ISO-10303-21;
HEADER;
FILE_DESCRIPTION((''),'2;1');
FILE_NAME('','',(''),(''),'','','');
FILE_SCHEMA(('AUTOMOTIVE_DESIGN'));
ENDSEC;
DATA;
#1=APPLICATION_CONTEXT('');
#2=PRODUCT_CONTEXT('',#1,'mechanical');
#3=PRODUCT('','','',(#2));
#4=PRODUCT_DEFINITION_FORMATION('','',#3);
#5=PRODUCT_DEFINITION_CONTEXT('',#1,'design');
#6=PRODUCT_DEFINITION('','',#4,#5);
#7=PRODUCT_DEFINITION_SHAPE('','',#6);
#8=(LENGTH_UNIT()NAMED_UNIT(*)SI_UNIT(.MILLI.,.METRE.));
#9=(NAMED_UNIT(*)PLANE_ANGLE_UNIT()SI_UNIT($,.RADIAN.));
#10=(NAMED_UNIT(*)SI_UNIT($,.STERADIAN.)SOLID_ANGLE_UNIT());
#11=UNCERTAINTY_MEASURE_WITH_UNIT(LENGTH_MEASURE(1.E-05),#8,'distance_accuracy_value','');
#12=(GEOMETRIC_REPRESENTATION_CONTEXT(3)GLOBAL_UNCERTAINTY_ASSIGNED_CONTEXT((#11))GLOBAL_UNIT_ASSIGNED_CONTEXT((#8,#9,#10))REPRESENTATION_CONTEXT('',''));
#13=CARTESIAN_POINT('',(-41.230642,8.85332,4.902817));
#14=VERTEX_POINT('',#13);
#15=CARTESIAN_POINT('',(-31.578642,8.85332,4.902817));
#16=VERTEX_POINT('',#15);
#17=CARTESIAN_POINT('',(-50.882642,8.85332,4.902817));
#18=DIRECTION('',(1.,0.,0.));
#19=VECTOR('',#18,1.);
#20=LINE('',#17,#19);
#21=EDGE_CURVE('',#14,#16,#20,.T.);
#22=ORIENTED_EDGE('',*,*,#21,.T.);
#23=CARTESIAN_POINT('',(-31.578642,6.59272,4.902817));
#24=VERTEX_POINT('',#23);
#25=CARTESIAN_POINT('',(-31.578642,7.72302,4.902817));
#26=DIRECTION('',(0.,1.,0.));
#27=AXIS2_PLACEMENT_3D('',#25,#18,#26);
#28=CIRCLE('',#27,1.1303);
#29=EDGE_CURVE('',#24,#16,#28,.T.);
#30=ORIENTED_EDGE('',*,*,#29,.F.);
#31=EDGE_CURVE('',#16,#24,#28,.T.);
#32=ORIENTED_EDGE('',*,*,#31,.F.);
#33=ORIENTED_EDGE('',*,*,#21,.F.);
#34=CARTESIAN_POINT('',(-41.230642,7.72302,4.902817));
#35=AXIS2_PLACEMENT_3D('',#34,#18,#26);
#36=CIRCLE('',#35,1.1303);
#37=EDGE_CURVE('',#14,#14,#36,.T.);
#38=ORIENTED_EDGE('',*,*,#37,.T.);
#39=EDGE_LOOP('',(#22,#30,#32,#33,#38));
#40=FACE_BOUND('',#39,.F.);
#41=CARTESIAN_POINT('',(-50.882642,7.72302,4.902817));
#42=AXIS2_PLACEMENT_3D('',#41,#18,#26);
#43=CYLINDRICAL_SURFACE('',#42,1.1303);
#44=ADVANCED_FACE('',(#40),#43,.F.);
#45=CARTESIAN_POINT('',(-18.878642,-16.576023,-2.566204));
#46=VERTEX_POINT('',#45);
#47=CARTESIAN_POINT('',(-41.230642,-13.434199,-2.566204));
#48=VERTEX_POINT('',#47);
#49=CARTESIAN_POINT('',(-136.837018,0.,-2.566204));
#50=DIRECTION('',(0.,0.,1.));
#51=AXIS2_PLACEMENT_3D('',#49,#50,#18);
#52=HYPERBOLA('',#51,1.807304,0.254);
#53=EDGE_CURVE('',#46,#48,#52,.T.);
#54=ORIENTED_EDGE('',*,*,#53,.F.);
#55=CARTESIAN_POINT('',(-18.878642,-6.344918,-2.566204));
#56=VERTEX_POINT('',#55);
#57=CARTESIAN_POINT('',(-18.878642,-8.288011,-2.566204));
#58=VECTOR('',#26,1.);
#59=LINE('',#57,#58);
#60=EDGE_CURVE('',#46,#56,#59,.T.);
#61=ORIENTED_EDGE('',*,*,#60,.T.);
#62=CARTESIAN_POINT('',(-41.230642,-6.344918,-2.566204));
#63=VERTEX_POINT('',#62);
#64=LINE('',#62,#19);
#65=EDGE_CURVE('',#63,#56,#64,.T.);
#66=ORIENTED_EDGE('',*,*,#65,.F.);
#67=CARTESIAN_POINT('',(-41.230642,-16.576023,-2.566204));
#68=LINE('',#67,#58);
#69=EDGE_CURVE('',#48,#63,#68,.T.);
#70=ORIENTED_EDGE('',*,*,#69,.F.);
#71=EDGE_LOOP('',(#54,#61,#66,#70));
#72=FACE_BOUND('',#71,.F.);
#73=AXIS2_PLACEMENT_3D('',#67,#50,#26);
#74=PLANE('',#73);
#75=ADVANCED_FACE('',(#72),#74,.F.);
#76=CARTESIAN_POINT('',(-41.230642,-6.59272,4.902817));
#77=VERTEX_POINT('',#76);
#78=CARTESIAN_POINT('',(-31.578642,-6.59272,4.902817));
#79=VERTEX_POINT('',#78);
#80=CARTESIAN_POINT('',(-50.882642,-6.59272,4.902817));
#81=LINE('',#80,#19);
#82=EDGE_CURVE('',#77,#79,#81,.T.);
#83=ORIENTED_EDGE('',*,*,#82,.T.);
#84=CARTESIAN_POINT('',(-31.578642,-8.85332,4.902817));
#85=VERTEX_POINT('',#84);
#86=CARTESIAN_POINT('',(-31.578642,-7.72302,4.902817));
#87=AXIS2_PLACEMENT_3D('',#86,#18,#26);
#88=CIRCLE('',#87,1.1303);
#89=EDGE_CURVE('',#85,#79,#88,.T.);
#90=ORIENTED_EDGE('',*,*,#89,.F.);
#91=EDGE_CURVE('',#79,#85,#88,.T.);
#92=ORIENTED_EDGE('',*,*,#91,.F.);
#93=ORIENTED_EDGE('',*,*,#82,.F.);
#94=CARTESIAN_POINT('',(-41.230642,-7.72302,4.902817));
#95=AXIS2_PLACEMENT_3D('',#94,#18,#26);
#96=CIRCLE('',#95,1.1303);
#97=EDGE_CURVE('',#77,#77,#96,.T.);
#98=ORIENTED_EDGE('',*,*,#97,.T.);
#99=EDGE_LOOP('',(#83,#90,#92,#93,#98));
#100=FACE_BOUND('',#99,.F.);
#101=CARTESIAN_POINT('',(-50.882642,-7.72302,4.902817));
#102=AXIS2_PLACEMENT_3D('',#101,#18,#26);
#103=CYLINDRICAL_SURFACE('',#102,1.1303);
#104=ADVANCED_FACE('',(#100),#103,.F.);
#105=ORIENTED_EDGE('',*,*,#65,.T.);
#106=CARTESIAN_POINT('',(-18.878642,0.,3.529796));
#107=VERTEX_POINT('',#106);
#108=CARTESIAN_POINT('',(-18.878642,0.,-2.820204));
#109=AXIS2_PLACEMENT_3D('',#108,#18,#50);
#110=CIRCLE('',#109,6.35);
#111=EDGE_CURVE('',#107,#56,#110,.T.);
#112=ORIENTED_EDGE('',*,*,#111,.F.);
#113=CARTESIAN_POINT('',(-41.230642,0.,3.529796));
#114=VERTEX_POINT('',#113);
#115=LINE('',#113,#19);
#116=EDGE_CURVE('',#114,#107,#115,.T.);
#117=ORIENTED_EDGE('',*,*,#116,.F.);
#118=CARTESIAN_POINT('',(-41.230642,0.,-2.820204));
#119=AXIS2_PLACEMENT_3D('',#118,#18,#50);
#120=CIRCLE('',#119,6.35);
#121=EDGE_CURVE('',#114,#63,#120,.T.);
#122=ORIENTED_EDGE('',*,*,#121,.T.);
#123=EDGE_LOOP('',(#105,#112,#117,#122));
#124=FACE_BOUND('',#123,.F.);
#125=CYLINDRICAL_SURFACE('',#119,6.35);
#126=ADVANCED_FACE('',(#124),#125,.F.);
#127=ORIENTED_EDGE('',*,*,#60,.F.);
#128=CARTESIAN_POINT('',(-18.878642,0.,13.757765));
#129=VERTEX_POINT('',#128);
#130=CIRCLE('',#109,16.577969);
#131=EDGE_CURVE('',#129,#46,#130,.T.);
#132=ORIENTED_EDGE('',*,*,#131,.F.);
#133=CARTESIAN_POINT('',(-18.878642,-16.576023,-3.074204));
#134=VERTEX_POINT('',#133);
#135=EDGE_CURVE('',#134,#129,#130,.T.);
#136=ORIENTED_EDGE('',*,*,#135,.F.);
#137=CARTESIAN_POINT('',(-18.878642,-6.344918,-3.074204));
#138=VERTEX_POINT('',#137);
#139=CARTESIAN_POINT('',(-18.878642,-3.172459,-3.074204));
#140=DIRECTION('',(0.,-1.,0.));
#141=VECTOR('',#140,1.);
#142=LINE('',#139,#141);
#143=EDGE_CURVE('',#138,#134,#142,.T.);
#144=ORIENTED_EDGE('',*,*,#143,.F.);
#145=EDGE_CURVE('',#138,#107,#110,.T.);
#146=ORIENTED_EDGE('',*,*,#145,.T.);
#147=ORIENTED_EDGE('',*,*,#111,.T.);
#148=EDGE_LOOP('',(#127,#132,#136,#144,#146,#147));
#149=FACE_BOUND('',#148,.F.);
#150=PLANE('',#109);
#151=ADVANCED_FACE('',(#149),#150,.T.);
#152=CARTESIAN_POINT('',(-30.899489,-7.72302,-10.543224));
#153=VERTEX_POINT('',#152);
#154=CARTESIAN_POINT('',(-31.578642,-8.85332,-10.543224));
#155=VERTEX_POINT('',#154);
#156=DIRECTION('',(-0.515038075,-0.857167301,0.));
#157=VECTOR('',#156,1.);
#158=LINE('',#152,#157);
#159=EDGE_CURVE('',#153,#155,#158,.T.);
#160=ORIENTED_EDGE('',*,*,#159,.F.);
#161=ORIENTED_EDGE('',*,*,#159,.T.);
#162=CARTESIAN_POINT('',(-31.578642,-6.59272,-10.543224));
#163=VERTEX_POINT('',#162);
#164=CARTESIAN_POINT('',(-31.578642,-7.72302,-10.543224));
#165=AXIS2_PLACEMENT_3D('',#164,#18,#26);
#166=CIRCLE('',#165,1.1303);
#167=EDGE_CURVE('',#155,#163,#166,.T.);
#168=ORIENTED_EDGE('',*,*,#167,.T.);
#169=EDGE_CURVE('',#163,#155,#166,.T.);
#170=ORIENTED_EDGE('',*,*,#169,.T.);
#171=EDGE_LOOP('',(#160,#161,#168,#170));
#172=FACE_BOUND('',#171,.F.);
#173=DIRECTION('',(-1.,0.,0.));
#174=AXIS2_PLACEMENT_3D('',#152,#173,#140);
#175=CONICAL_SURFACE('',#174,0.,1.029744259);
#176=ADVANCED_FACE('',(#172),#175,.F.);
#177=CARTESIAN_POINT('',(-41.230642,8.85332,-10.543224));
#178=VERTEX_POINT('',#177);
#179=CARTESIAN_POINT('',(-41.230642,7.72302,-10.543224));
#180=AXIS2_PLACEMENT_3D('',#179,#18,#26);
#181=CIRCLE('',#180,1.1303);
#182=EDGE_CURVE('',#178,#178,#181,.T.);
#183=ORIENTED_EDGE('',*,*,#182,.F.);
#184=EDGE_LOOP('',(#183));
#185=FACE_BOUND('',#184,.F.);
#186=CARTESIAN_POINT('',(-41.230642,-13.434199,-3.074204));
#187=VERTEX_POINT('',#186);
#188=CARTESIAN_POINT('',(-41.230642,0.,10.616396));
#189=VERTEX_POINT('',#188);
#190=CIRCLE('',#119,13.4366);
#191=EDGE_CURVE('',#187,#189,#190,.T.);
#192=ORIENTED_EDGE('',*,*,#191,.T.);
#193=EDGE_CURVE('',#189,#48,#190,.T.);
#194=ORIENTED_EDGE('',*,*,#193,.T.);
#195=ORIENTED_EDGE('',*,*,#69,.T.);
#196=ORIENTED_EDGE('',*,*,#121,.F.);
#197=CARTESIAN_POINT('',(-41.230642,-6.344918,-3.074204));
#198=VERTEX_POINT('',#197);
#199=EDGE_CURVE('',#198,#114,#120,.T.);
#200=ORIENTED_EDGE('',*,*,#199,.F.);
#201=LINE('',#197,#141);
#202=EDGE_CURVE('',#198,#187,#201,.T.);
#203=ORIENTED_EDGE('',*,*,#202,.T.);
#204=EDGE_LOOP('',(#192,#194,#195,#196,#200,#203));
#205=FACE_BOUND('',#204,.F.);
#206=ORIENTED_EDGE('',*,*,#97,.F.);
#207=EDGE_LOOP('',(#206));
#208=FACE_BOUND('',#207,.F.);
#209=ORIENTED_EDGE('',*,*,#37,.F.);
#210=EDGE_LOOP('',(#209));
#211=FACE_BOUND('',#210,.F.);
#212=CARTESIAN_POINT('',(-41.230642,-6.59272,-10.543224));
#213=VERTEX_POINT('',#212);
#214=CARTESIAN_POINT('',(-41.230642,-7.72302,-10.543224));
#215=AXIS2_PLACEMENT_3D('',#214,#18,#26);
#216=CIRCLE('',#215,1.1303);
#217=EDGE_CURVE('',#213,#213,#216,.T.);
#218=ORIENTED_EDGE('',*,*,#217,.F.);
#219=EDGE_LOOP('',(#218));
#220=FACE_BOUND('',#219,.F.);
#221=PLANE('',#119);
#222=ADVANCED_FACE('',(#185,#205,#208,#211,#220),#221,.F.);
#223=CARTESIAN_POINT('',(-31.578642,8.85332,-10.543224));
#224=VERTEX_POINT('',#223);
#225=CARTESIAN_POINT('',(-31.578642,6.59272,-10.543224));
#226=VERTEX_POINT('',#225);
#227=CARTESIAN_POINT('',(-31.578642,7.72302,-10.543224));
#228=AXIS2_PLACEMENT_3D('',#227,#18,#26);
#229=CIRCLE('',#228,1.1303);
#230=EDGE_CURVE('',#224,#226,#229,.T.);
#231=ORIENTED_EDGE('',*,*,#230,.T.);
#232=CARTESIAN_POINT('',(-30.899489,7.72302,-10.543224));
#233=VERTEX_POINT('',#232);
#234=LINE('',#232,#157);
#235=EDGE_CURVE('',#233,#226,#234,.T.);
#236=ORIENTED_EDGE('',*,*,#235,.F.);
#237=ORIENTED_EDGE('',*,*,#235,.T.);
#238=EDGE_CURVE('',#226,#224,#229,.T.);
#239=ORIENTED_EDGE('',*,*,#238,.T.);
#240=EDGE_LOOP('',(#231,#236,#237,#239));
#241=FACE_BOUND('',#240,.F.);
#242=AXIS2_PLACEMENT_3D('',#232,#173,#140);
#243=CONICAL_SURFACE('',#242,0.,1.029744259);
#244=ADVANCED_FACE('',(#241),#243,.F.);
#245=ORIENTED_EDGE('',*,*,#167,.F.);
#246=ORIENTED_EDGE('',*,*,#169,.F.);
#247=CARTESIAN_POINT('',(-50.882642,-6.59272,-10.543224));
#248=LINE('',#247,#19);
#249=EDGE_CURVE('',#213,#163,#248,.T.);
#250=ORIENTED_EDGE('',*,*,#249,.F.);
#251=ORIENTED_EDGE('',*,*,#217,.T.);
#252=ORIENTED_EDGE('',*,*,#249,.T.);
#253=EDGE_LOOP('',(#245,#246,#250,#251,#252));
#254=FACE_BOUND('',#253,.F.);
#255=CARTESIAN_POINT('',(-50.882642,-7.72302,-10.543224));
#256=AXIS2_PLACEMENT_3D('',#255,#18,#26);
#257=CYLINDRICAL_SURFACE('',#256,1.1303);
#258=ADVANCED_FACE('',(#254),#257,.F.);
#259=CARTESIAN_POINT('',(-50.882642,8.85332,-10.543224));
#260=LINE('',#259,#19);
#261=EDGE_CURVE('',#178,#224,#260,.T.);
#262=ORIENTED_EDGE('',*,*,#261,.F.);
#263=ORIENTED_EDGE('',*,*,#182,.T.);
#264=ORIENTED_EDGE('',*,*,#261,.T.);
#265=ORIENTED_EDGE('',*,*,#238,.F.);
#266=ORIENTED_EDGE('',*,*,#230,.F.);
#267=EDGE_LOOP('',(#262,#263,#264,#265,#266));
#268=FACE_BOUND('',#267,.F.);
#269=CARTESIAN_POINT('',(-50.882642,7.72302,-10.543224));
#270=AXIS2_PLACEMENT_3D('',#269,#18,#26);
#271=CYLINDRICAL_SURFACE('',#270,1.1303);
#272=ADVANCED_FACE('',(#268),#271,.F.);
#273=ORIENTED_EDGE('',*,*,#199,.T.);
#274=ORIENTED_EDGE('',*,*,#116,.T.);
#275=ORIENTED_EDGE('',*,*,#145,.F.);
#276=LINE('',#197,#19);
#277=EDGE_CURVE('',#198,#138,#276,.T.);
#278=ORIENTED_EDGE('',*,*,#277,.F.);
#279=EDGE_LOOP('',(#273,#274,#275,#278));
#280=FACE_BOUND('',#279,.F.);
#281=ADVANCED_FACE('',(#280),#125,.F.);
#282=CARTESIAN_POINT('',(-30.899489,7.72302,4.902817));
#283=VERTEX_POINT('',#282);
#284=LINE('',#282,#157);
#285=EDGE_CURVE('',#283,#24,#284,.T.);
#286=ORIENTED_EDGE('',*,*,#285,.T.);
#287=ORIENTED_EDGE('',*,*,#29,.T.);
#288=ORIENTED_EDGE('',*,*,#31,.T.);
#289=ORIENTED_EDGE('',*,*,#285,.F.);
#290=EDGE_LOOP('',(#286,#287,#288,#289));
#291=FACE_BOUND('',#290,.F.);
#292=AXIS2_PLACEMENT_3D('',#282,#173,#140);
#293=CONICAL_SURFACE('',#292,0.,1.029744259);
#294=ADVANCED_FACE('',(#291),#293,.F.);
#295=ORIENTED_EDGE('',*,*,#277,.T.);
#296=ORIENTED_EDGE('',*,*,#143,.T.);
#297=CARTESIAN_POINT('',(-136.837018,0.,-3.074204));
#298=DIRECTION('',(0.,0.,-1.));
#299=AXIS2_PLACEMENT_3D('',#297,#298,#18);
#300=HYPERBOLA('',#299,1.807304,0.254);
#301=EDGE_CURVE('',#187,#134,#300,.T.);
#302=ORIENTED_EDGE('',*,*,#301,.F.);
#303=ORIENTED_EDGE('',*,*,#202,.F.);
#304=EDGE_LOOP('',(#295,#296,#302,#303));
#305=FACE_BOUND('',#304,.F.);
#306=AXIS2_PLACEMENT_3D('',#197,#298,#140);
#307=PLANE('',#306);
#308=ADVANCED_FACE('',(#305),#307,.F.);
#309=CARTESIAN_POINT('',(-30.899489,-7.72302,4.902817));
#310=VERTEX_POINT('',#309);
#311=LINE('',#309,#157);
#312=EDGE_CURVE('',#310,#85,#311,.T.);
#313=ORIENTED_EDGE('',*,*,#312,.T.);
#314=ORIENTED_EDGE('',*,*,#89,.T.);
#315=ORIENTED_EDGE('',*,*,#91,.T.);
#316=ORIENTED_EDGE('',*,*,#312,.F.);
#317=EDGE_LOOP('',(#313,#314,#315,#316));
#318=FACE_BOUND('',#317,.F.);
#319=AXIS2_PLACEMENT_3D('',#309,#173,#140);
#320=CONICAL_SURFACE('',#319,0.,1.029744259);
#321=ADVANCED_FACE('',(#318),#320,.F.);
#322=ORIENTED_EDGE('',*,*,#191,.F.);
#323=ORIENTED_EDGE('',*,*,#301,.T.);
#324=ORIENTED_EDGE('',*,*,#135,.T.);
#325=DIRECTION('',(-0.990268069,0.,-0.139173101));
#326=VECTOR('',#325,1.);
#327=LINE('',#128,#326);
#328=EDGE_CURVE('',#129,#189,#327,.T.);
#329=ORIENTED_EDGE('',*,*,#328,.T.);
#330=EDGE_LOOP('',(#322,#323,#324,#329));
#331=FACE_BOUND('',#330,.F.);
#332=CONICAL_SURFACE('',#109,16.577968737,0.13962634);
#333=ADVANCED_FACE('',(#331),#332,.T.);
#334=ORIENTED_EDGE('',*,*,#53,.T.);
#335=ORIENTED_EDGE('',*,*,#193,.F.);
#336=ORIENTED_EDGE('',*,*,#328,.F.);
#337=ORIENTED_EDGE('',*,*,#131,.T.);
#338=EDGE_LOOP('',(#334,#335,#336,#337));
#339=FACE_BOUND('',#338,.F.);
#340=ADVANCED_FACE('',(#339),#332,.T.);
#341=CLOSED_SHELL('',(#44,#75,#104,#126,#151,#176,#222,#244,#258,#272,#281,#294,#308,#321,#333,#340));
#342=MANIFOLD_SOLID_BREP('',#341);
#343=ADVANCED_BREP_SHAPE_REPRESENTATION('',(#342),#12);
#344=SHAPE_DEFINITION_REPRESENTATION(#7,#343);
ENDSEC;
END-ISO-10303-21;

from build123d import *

# Parameters (mm, degrees)
F3_DEPTH = 22.353
F4_D     = 2.2606
F4_DEPTH = 9.652
F4_TIP   = 0.6791527577


with BuildPart() as f1:
    # F0 (on Front) → F1 (revolve)
    with BuildSketch(Plane.XZ):
        Polygon((-18.8786415076, 13.7577650476), (-41.2306415076, 10.6163963103), (-41.2306415076, 3.5297963103), (-18.8786415076, 3.5297963103), align=None)
    revolve(axis=Axis((-30.0546415076, 0, -2.8202036897), (1, 0, 0)))

    # F2 (on face) → F3 (cut, through all)
    with BuildSketch(Plane(origin=(-41.2306415076, 0, 0), x_dir=(0, -1, 0), z_dir=(-1, 0, 0))):
        with BuildLine():
            Line((13.4341990293, -2.5662036897), (6.3449179664, -2.5662036897))
            ThreePointArc((6.3449179664, -2.5662036897), (6.3487293645, -2.6931782719), (6.35, -2.8202036897))
            ThreePointArc((6.35, -2.8202036897), (6.3487293645, -2.9472291075), (6.3449179664, -3.0742036897))
            Line((6.3449179664, -3.0742036897), (13.4341990293, -3.0742036897))
            ThreePointArc((13.4341990293, -3.0742036897), (13.4359997439, -2.9472093634), (13.4366, -2.8202036897))
            ThreePointArc((13.4366, -2.8202036897), (13.4359997439, -2.6931980159), (13.4341990293, -2.5662036897))
        make_face()
        with BuildLine():
            Line((16.5760227876, -2.5662036897), (13.4341990293, -2.5662036897))
            ThreePointArc((13.4341990293, -2.5662036897), (13.4359997439, -2.6931980159), (13.4366, -2.8202036897))
            ThreePointArc((13.4366, -2.8202036897), (13.4359997439, -2.9472093634), (13.4341990293, -3.0742036897))
            Line((13.4341990293, -3.0742036897), (16.5760227876, -3.0742036897))
            ThreePointArc((16.5760227876, -3.0742036897), (16.5774822427, -2.9472074167), (16.5779687373, -2.8202036897))
            ThreePointArc((16.5779687373, -2.8202036897), (16.5774822427, -2.6931999627), (16.5760227876, -2.5662036897))
        make_face()
    extrude(amount=-F3_DEPTH, mode=Mode.SUBTRACT)

    # F4
    with Locations(Plane(origin=(-41.2306415076, 0, 0), x_dir=(0, -1, 0), z_dir=(-1, 0, 0))):
        with Locations((-7.7230202641, 4.9028165744), (7.7230202641, 4.9028165744), (7.7230202641, -10.5432239538), (-7.7230202641, -10.5432239538)):
            Hole(F4_D / 2, depth=F4_DEPTH)
            with Locations((0, 0, -(F4_DEPTH + F4_TIP / 2))):  # 118° drill point
                Cone(0, F4_D / 2, F4_TIP, mode=Mode.SUBTRACT)


solid = f1.part
